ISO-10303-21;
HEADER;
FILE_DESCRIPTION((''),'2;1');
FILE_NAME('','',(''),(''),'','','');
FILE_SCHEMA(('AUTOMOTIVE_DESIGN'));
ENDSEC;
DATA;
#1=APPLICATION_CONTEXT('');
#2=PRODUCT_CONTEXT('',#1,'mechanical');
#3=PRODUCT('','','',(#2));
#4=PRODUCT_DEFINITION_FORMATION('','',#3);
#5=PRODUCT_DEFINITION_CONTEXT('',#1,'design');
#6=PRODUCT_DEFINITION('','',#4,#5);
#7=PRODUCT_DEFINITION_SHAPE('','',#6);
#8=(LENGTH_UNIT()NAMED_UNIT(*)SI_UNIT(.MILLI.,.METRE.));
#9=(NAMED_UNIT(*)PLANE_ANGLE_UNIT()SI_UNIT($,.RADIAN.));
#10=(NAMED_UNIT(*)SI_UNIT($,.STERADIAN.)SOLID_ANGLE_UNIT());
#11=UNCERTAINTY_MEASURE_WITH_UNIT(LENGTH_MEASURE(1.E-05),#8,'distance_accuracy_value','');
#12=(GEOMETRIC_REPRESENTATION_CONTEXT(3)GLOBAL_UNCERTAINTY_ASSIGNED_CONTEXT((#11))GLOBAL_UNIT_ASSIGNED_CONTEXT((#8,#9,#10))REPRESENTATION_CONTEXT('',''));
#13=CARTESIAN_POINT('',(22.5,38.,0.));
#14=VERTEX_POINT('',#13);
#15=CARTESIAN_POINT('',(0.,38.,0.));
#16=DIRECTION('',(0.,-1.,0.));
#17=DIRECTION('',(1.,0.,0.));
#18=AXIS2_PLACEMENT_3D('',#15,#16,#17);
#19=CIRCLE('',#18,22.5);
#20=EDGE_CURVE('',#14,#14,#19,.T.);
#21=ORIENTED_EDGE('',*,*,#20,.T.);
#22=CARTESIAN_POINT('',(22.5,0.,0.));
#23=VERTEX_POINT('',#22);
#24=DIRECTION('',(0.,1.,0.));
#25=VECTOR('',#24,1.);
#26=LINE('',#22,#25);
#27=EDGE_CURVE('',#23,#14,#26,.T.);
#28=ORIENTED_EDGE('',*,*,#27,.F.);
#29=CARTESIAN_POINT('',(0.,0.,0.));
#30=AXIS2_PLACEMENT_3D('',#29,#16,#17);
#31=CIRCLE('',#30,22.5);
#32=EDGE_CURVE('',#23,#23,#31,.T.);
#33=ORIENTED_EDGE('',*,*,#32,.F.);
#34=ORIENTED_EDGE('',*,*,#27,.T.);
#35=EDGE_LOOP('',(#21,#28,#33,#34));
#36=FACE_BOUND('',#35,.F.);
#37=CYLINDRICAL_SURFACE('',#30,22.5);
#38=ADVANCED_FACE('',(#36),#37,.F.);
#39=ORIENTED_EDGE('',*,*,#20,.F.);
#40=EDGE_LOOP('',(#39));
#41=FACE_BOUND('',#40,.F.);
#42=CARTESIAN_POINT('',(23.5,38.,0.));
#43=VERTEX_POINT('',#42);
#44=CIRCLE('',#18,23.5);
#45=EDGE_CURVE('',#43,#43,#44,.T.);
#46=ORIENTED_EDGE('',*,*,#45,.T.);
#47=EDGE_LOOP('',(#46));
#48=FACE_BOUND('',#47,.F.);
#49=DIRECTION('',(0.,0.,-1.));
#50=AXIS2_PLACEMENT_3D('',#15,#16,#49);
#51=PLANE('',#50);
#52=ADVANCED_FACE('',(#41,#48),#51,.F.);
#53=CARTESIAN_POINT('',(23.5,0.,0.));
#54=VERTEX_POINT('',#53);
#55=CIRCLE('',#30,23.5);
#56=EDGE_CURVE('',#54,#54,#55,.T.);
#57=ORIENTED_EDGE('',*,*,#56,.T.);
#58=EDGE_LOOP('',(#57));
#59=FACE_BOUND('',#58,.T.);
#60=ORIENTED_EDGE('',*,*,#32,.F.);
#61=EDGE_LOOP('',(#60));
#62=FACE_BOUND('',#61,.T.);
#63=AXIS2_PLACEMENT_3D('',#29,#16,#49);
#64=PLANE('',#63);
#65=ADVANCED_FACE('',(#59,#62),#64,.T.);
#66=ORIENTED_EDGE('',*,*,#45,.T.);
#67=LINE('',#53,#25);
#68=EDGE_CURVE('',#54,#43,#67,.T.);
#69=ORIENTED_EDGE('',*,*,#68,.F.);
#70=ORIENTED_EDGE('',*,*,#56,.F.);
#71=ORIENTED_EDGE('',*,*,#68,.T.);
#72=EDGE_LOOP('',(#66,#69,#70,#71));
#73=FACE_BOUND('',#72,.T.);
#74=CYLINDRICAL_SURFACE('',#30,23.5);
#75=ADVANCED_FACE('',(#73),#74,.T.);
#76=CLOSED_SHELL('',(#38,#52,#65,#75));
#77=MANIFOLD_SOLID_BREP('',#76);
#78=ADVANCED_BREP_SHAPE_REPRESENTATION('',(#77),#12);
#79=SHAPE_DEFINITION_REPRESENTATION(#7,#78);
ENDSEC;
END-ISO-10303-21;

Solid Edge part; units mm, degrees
sketch "Sketch1" plane through (0, 0, 0) normal (0, -1, 0) x (1, 0, 0)
  circle A0 centre (0, 0) radius 22.5
  circle A1 centre (0, 0) radius 23.5
  dimension "D1" = 45
  dimension "D2" = 47
extrude "Protrusion1" add sketch "Sketch1" against normal blind 38
